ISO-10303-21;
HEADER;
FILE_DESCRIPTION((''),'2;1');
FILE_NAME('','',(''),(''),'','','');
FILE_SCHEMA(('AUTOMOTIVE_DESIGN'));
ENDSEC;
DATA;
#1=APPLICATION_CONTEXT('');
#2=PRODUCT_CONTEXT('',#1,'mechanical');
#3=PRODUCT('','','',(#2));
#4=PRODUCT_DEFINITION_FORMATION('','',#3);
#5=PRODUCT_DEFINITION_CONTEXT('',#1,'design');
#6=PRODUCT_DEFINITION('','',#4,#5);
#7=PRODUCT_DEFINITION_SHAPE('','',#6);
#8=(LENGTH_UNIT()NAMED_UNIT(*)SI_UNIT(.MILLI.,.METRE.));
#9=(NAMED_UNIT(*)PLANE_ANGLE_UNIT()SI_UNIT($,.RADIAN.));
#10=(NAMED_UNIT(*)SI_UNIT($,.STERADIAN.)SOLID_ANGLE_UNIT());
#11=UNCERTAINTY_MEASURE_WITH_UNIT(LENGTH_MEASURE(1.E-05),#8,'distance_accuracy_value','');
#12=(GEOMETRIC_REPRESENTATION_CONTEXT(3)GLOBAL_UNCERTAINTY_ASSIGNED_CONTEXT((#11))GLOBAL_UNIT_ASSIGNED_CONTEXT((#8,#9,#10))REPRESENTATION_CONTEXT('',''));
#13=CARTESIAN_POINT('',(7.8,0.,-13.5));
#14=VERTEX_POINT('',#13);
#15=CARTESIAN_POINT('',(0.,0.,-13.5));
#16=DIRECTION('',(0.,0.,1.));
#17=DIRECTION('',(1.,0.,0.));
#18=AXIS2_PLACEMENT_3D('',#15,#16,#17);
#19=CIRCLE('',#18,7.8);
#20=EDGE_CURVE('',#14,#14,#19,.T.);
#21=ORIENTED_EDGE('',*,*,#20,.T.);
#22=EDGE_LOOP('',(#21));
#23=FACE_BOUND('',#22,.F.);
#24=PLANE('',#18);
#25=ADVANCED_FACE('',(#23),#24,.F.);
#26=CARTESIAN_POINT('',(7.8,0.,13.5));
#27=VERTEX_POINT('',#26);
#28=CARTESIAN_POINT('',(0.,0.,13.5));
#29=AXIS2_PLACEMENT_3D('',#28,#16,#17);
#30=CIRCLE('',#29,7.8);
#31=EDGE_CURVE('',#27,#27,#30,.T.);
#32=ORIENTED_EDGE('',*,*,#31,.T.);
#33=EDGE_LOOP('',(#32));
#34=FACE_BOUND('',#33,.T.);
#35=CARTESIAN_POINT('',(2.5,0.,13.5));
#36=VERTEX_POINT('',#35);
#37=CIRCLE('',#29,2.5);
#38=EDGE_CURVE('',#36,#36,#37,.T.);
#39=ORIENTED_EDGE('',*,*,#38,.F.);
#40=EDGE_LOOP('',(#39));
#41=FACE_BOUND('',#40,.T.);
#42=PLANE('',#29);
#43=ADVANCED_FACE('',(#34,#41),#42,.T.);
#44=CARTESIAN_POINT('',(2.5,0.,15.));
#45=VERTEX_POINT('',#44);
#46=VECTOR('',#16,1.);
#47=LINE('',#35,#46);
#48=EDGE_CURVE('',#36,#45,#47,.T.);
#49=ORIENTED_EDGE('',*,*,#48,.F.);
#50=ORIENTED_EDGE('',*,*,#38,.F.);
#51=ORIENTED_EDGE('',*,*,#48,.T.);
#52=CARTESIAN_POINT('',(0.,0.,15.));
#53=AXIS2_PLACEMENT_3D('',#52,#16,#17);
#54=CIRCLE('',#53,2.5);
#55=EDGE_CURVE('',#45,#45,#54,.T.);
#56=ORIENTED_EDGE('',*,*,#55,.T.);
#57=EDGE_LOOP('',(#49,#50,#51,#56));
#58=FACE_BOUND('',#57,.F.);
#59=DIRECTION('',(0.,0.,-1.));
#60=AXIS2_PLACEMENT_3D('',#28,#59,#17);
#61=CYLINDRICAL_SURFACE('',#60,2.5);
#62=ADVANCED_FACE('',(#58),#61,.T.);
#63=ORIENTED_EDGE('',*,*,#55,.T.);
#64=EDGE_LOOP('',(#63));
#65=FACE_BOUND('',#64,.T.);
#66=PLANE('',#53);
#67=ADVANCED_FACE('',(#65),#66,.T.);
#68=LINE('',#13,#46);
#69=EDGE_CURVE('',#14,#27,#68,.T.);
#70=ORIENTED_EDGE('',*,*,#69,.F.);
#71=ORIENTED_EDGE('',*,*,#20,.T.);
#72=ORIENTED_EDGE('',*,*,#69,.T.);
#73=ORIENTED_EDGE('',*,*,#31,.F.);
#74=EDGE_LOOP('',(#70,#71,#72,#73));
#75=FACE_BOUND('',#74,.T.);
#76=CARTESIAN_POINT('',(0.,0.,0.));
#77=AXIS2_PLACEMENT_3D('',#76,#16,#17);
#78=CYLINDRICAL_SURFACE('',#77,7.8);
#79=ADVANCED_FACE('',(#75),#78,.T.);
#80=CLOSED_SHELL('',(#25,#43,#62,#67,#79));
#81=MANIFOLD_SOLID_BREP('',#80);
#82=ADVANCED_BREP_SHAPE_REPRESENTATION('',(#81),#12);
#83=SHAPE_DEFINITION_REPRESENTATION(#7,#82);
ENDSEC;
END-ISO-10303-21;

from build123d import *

# Parameters (mm, degrees)
F0_R     = 7.8
F1_DEPTH = 13.5
F2_R     = 2.5
F3_DEPTH = 1.5


with BuildPart() as f1:
    # F0 (on Top) → F1 (new body, symmetric)
    with BuildSketch(Plane.XY):
        Circle(F0_R)
    extrude(amount=F1_DEPTH, both=True)

    # F2 (on face) → F3 (join)
    with BuildSketch(Plane.XY.offset(13.5)):
        Circle(F2_R)
    extrude(amount=F3_DEPTH)


solid = f1.part
